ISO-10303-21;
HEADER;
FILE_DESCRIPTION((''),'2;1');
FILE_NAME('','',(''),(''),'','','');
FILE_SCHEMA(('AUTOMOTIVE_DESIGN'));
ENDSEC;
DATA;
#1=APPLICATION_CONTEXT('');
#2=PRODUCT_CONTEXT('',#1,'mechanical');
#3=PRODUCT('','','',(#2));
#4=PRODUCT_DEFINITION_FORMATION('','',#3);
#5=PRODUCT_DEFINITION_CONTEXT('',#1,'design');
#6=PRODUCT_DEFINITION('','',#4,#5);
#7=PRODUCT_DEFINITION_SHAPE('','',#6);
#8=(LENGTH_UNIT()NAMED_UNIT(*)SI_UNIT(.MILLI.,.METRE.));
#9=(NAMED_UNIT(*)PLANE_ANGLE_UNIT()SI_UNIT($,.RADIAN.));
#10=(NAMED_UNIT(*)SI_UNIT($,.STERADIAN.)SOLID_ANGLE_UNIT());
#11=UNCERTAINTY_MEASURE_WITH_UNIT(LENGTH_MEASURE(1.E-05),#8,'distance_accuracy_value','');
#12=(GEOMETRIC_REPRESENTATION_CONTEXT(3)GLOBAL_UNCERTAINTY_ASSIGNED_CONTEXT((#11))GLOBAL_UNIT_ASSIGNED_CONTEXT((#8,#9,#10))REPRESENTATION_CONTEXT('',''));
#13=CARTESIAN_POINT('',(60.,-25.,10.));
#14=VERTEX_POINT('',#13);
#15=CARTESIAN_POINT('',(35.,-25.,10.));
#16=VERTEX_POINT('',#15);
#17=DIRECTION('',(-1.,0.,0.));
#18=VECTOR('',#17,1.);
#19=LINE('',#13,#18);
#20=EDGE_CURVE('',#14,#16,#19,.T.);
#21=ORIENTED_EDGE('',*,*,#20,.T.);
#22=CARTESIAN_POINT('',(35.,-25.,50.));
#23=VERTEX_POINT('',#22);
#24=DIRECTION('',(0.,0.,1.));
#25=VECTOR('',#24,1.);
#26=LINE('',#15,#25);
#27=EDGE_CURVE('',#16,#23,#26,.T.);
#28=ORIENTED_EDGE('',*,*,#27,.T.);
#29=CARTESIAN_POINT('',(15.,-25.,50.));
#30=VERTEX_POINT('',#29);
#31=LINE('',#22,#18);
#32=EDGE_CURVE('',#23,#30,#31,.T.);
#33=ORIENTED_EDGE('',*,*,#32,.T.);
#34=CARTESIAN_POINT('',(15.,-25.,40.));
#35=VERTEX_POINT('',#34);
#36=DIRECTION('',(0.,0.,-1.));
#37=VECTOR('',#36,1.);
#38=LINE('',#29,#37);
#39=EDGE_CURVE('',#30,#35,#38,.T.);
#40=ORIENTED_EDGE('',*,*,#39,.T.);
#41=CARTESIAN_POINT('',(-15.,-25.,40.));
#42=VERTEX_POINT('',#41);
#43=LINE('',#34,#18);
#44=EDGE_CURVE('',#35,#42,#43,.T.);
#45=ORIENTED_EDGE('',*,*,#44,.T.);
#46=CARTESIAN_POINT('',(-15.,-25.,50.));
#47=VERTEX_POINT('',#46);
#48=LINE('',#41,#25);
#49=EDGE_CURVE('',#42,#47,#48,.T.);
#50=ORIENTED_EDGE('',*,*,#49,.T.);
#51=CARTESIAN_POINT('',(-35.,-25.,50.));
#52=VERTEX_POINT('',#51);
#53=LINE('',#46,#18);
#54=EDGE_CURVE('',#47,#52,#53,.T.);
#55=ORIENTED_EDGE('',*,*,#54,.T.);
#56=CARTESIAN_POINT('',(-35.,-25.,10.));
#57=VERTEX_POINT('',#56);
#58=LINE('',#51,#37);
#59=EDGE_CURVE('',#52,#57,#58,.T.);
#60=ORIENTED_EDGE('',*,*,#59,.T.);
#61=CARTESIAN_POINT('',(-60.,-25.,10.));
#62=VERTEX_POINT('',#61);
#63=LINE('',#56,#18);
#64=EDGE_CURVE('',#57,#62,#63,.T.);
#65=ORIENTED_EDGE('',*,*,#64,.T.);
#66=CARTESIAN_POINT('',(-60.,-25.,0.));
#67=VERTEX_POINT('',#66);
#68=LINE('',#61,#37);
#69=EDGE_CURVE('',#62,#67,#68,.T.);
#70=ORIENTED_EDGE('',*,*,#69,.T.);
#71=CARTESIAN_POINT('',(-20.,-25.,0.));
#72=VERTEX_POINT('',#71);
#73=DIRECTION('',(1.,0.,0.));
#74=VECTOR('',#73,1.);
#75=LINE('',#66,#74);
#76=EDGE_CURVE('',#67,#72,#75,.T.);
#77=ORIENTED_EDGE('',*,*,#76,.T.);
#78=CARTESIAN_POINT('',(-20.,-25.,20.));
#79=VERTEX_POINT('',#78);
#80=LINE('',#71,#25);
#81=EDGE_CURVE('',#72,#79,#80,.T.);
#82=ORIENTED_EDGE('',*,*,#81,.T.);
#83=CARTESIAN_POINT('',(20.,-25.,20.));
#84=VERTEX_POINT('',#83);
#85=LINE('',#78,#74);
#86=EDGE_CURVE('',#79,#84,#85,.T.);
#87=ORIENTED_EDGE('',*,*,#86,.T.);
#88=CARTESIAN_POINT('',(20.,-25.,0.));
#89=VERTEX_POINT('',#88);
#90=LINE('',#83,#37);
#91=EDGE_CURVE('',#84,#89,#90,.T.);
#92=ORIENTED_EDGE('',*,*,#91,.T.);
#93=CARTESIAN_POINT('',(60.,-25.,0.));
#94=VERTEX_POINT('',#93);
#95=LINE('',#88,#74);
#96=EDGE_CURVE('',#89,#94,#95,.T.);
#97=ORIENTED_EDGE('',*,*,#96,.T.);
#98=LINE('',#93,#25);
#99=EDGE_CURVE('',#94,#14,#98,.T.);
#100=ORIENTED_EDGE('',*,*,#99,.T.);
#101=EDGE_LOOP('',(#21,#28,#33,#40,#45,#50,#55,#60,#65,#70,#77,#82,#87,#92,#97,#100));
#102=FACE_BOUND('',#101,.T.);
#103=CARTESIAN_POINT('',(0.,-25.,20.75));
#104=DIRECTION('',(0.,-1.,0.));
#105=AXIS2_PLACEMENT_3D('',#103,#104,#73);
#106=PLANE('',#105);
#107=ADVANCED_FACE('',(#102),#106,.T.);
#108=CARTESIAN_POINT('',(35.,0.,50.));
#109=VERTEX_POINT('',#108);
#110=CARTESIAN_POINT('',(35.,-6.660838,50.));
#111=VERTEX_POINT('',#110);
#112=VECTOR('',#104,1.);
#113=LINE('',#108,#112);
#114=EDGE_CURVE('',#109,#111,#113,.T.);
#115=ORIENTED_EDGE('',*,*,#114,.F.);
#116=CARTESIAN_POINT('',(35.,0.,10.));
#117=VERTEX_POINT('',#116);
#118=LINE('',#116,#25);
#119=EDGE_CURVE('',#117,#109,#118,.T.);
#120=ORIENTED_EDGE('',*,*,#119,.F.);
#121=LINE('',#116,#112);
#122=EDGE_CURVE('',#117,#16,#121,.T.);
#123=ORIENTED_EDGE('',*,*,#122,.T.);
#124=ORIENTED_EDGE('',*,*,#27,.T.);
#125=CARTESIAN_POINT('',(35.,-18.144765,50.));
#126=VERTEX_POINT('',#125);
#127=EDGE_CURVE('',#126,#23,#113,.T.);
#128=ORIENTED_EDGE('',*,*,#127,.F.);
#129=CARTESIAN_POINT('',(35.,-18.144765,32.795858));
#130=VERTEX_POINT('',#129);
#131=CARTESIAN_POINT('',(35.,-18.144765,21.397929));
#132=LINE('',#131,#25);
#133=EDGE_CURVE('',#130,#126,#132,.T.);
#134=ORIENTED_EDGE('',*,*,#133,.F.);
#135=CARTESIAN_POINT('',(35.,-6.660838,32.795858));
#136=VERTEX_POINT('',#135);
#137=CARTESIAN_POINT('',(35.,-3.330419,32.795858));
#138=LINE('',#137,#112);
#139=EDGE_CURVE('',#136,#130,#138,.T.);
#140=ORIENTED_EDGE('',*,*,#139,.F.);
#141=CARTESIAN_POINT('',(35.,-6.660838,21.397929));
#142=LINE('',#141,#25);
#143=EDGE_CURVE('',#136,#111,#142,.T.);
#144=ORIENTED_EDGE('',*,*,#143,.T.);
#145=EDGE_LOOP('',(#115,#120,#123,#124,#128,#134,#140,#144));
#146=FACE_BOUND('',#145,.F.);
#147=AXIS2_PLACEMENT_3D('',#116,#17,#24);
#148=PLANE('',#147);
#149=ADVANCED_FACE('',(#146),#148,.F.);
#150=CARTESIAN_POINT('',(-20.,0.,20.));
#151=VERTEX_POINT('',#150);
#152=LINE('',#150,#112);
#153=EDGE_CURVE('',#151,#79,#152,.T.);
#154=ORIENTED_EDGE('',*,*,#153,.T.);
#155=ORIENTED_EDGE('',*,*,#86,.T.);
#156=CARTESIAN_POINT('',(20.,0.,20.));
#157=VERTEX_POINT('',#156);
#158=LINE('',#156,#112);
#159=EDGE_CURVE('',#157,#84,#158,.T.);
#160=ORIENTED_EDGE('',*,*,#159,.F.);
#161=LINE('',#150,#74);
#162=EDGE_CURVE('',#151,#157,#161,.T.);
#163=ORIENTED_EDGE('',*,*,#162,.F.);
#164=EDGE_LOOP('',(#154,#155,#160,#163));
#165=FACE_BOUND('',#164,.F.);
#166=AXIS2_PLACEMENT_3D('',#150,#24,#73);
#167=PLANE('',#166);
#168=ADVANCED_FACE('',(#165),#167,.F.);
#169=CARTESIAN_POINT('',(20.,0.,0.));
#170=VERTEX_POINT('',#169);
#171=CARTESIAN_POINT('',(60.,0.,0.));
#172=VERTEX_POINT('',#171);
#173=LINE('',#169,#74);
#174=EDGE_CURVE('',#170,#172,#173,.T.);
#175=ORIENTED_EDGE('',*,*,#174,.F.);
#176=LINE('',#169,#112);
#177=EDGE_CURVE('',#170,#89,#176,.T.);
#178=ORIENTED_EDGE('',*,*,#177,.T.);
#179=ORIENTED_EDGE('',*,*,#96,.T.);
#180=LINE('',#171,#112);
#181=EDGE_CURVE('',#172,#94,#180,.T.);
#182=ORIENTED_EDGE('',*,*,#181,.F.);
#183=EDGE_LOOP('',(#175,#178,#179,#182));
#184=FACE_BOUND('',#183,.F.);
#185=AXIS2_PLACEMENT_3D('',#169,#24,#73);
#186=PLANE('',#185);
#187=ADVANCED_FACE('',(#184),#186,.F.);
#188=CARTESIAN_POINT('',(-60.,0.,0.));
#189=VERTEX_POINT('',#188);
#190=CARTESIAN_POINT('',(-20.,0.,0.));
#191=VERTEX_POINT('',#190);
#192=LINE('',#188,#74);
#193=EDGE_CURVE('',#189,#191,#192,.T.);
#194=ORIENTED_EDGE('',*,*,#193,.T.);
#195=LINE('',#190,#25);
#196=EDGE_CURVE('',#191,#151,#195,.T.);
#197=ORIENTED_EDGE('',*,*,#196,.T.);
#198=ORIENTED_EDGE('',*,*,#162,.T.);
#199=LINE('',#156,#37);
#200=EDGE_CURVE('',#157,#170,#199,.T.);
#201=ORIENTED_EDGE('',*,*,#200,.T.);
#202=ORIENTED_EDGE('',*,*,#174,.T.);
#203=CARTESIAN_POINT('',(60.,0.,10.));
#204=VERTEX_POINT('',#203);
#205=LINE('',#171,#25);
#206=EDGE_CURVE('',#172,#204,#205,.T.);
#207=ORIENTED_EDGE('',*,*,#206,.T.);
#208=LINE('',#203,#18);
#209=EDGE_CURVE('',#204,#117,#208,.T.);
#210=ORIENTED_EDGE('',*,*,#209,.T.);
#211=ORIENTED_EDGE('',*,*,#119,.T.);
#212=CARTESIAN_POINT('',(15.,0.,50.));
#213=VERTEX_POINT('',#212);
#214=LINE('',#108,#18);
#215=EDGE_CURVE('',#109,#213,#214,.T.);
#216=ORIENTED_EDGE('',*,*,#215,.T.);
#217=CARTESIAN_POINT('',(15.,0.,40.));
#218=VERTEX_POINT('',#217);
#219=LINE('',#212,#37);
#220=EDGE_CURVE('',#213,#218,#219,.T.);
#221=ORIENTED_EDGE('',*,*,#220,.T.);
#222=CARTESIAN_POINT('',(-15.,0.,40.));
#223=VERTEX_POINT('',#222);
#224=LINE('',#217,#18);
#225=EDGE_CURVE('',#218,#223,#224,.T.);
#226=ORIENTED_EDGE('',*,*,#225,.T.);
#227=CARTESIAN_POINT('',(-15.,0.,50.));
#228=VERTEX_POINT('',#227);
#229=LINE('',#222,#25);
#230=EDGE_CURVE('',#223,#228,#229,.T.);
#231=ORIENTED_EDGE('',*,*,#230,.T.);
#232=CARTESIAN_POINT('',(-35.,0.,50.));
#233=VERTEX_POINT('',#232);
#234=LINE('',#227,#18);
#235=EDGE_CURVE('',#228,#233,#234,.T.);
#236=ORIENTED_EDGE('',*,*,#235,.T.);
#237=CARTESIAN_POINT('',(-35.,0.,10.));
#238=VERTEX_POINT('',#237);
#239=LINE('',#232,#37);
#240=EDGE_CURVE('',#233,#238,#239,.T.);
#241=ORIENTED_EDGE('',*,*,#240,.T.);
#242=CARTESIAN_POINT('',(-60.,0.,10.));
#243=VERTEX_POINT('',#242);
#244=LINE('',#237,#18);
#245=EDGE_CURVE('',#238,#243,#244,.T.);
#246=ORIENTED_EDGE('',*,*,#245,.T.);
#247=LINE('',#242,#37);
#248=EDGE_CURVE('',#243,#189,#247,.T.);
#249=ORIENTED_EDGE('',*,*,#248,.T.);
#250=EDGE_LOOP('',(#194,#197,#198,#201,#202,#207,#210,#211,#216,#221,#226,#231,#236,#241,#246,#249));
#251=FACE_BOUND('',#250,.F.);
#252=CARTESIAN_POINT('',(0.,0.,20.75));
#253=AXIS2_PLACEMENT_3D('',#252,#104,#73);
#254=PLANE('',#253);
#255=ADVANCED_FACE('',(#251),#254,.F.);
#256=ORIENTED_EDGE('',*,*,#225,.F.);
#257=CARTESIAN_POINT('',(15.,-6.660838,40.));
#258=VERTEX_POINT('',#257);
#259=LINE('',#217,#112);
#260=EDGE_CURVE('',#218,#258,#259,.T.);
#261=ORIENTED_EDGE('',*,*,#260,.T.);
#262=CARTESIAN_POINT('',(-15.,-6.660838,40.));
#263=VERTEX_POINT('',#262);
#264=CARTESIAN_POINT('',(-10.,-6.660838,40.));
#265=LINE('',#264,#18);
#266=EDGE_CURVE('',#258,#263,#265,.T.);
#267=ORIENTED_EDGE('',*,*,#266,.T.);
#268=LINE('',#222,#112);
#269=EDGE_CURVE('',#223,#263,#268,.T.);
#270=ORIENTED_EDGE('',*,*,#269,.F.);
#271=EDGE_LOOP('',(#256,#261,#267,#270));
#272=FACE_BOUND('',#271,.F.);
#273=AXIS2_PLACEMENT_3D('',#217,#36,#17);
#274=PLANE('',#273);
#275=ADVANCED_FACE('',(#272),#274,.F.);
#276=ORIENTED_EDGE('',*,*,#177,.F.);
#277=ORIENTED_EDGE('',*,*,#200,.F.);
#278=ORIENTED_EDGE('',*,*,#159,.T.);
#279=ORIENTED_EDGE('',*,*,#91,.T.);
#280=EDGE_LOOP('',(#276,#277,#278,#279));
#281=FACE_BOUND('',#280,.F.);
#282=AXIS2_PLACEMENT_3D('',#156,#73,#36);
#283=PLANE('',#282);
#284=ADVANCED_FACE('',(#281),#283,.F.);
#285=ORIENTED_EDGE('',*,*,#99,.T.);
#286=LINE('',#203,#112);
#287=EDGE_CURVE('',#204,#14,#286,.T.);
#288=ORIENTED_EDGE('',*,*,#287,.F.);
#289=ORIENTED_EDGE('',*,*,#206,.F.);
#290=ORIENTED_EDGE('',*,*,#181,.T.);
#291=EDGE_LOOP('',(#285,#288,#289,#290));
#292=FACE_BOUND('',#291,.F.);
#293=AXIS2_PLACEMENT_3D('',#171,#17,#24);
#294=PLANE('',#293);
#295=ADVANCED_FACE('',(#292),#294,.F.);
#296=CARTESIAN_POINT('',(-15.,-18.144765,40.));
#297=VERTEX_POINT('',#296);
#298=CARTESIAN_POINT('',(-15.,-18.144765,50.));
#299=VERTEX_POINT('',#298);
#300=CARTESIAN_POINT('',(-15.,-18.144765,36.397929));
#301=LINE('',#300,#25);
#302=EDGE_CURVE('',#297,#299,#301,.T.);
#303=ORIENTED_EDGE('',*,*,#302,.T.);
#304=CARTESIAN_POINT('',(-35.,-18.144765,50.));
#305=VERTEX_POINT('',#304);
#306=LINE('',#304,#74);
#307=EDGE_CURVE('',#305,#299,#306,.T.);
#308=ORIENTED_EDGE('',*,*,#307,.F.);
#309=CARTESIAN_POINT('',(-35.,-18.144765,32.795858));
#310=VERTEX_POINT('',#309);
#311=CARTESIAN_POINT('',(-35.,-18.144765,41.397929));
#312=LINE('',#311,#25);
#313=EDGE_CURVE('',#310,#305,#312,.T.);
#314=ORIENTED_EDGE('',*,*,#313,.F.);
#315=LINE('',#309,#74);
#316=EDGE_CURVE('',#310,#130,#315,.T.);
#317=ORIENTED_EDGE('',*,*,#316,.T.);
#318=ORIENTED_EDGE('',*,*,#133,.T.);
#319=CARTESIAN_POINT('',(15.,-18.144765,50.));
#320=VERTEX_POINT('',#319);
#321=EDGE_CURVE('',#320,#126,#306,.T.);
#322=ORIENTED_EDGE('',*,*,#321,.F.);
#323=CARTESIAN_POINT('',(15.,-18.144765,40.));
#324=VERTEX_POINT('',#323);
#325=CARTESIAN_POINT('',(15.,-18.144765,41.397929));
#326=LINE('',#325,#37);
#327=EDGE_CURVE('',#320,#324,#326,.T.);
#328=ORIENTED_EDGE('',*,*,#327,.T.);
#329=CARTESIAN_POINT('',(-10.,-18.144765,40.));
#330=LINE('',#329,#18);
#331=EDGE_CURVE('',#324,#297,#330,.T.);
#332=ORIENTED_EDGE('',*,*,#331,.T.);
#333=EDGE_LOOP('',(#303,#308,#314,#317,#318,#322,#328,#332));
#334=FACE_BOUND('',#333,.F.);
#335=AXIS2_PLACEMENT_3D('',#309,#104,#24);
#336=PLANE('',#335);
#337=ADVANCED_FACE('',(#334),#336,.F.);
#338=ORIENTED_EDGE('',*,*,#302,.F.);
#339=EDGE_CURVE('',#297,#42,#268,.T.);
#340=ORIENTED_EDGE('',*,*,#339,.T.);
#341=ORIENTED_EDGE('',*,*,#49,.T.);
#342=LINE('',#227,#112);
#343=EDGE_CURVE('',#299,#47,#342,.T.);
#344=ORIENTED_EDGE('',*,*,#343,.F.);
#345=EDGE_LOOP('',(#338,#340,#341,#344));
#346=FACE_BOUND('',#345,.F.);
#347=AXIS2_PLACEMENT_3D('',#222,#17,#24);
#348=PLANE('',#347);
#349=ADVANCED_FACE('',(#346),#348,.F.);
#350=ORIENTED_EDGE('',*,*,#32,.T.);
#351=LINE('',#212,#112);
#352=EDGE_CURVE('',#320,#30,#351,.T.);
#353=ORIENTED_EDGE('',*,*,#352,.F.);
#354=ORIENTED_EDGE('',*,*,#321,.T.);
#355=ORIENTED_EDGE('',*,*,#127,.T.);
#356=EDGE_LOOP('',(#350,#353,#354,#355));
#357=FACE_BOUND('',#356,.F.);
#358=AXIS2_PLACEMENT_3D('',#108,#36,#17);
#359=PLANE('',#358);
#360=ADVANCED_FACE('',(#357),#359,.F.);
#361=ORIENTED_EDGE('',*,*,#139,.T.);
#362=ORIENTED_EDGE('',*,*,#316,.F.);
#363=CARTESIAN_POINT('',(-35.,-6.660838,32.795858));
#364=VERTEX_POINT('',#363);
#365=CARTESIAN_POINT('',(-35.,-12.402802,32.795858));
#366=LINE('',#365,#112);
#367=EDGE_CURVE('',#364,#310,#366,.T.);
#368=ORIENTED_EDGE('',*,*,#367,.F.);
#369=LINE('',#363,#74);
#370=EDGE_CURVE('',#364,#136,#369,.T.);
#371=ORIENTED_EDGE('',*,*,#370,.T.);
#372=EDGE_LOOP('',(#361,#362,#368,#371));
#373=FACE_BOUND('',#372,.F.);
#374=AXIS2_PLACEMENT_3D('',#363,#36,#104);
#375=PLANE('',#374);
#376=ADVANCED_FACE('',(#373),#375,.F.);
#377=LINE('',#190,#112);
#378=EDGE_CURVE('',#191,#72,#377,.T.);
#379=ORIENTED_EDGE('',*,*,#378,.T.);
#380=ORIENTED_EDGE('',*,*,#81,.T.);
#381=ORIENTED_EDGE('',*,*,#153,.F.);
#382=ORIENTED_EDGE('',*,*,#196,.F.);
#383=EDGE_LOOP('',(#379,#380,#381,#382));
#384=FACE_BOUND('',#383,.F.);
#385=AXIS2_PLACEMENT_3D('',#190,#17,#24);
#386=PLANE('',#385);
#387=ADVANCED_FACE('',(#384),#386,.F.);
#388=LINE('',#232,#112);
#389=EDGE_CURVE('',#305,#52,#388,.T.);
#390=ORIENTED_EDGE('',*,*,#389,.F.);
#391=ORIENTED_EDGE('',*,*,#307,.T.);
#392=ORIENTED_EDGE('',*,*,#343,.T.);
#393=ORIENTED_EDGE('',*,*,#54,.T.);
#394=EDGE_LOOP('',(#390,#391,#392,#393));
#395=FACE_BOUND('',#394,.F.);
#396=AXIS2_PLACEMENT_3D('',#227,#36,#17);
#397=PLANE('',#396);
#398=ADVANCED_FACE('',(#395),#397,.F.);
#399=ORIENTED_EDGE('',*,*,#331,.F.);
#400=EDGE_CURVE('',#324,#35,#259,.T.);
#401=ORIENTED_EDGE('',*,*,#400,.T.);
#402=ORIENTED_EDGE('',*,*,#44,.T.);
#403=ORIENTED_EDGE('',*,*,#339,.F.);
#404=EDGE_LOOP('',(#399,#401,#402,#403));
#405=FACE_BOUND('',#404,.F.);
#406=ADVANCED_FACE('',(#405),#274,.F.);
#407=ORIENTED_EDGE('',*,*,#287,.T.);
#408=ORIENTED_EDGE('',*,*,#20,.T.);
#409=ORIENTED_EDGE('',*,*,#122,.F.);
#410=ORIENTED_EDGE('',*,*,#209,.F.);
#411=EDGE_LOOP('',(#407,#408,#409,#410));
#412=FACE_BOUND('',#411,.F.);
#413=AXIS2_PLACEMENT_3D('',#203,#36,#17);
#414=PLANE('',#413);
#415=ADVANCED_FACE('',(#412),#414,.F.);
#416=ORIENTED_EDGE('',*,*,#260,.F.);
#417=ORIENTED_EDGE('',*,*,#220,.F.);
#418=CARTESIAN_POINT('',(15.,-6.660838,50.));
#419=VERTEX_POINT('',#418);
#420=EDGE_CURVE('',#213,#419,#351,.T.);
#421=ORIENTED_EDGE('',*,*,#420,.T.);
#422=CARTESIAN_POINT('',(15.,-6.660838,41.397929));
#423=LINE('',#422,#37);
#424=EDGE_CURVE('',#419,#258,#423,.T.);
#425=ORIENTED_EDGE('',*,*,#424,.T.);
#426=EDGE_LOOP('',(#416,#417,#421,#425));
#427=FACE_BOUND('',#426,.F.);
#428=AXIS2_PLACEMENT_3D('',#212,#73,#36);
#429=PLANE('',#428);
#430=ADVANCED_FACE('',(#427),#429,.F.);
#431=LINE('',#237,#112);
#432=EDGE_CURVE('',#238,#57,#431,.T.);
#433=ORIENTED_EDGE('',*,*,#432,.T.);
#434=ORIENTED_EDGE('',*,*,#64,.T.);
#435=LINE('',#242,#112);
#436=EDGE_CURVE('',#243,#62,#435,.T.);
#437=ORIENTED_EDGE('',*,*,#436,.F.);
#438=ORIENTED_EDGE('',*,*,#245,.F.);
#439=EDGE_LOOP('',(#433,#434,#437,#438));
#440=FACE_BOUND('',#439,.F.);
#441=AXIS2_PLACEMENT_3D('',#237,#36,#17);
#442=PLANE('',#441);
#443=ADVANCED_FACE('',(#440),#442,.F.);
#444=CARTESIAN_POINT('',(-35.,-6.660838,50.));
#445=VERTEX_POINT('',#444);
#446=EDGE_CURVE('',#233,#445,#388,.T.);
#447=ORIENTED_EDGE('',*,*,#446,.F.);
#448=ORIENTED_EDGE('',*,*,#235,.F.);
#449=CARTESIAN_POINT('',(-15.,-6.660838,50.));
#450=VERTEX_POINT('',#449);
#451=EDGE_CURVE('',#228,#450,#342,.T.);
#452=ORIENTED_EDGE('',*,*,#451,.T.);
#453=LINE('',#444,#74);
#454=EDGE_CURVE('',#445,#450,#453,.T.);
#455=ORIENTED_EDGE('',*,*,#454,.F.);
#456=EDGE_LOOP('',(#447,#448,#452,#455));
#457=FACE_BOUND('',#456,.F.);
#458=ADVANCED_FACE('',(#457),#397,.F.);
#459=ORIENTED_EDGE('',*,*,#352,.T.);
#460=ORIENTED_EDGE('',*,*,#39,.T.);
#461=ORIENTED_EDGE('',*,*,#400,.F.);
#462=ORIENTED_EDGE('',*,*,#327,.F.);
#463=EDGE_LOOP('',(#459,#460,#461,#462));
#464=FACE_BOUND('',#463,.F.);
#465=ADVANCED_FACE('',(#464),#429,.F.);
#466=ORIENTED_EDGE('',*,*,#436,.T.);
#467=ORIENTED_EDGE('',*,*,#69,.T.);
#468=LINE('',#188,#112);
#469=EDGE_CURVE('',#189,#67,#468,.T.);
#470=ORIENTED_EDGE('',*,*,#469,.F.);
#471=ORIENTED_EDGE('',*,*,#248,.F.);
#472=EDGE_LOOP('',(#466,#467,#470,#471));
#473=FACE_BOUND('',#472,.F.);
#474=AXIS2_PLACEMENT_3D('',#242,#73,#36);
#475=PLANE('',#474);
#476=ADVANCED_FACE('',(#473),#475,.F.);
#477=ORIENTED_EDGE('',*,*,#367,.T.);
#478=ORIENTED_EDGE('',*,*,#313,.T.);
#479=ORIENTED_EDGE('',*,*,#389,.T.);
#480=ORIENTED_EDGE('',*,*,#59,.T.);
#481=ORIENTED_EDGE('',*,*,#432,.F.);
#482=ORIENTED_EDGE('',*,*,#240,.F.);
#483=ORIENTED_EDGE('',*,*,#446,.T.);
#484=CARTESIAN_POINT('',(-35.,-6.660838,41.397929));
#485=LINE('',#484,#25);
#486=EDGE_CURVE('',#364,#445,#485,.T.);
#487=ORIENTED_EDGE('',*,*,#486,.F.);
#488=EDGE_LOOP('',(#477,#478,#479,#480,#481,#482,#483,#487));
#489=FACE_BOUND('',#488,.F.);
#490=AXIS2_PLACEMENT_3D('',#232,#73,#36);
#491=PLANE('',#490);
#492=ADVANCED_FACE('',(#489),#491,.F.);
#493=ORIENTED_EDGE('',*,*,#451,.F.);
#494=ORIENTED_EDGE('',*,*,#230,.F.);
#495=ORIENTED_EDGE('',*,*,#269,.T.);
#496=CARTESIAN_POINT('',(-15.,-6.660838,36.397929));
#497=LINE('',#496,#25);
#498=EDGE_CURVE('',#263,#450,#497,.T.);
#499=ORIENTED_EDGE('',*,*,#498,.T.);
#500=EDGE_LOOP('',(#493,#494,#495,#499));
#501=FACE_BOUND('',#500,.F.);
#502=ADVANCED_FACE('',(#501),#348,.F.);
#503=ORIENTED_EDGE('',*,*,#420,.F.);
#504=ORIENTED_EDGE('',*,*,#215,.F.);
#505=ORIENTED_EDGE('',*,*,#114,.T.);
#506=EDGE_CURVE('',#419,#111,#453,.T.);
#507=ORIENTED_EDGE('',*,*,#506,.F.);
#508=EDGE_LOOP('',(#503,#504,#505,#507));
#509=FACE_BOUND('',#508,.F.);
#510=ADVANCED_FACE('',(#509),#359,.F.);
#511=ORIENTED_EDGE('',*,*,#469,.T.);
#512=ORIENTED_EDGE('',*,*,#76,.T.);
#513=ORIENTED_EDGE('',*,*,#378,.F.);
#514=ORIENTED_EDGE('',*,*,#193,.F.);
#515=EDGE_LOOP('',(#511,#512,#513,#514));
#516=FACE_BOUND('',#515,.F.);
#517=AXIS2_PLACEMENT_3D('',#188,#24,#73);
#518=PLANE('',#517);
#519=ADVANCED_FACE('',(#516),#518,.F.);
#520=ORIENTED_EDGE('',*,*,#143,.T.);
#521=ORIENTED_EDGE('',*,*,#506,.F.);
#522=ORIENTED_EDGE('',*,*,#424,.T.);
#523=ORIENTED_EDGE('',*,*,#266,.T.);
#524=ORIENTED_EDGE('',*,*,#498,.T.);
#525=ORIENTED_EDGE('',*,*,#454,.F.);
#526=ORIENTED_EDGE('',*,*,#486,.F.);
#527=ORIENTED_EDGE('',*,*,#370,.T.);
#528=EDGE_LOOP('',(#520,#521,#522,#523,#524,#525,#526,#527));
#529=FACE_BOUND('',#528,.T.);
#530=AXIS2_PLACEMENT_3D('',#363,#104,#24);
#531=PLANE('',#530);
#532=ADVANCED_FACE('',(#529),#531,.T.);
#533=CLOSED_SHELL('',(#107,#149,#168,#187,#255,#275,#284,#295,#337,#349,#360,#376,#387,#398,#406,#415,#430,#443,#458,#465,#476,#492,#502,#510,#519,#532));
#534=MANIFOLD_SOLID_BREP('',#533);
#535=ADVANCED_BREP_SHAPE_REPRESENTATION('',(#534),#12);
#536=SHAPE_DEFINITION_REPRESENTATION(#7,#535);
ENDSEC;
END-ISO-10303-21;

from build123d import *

# Parameters (mm, degrees)
F1_DEPTH = 25
F2_W     = 11.483927
F2_H     = 17.204142
F3_DEPTH = 76.6


with BuildPart() as f1:
    # F0 (on Front) → F1 (new body)
    with BuildSketch(Plane.XZ):
        Polygon((-60, 10), (-60, 0), (-20, 0), (-20, 20), (20, 20), (20, 0), (60, 0), (60, 10), (35, 10), (35, 50), (15, 50), (15, 40), (-15, 40), (-15, 50), (-35, 50), (-35, 10), align=None)
    extrude(amount=F1_DEPTH)

    # F2 (on face) → F3 (cut)
    with BuildSketch(Plane(origin=(-35, 0, 0), x_dir=(0, -1, 0), z_dir=(-1, 0, 0))):
        with Locations((12.402802, 41.397929)):
            Rectangle(F2_W, F2_H)
    extrude(amount=-F3_DEPTH, mode=Mode.SUBTRACT)


solid = f1.part
